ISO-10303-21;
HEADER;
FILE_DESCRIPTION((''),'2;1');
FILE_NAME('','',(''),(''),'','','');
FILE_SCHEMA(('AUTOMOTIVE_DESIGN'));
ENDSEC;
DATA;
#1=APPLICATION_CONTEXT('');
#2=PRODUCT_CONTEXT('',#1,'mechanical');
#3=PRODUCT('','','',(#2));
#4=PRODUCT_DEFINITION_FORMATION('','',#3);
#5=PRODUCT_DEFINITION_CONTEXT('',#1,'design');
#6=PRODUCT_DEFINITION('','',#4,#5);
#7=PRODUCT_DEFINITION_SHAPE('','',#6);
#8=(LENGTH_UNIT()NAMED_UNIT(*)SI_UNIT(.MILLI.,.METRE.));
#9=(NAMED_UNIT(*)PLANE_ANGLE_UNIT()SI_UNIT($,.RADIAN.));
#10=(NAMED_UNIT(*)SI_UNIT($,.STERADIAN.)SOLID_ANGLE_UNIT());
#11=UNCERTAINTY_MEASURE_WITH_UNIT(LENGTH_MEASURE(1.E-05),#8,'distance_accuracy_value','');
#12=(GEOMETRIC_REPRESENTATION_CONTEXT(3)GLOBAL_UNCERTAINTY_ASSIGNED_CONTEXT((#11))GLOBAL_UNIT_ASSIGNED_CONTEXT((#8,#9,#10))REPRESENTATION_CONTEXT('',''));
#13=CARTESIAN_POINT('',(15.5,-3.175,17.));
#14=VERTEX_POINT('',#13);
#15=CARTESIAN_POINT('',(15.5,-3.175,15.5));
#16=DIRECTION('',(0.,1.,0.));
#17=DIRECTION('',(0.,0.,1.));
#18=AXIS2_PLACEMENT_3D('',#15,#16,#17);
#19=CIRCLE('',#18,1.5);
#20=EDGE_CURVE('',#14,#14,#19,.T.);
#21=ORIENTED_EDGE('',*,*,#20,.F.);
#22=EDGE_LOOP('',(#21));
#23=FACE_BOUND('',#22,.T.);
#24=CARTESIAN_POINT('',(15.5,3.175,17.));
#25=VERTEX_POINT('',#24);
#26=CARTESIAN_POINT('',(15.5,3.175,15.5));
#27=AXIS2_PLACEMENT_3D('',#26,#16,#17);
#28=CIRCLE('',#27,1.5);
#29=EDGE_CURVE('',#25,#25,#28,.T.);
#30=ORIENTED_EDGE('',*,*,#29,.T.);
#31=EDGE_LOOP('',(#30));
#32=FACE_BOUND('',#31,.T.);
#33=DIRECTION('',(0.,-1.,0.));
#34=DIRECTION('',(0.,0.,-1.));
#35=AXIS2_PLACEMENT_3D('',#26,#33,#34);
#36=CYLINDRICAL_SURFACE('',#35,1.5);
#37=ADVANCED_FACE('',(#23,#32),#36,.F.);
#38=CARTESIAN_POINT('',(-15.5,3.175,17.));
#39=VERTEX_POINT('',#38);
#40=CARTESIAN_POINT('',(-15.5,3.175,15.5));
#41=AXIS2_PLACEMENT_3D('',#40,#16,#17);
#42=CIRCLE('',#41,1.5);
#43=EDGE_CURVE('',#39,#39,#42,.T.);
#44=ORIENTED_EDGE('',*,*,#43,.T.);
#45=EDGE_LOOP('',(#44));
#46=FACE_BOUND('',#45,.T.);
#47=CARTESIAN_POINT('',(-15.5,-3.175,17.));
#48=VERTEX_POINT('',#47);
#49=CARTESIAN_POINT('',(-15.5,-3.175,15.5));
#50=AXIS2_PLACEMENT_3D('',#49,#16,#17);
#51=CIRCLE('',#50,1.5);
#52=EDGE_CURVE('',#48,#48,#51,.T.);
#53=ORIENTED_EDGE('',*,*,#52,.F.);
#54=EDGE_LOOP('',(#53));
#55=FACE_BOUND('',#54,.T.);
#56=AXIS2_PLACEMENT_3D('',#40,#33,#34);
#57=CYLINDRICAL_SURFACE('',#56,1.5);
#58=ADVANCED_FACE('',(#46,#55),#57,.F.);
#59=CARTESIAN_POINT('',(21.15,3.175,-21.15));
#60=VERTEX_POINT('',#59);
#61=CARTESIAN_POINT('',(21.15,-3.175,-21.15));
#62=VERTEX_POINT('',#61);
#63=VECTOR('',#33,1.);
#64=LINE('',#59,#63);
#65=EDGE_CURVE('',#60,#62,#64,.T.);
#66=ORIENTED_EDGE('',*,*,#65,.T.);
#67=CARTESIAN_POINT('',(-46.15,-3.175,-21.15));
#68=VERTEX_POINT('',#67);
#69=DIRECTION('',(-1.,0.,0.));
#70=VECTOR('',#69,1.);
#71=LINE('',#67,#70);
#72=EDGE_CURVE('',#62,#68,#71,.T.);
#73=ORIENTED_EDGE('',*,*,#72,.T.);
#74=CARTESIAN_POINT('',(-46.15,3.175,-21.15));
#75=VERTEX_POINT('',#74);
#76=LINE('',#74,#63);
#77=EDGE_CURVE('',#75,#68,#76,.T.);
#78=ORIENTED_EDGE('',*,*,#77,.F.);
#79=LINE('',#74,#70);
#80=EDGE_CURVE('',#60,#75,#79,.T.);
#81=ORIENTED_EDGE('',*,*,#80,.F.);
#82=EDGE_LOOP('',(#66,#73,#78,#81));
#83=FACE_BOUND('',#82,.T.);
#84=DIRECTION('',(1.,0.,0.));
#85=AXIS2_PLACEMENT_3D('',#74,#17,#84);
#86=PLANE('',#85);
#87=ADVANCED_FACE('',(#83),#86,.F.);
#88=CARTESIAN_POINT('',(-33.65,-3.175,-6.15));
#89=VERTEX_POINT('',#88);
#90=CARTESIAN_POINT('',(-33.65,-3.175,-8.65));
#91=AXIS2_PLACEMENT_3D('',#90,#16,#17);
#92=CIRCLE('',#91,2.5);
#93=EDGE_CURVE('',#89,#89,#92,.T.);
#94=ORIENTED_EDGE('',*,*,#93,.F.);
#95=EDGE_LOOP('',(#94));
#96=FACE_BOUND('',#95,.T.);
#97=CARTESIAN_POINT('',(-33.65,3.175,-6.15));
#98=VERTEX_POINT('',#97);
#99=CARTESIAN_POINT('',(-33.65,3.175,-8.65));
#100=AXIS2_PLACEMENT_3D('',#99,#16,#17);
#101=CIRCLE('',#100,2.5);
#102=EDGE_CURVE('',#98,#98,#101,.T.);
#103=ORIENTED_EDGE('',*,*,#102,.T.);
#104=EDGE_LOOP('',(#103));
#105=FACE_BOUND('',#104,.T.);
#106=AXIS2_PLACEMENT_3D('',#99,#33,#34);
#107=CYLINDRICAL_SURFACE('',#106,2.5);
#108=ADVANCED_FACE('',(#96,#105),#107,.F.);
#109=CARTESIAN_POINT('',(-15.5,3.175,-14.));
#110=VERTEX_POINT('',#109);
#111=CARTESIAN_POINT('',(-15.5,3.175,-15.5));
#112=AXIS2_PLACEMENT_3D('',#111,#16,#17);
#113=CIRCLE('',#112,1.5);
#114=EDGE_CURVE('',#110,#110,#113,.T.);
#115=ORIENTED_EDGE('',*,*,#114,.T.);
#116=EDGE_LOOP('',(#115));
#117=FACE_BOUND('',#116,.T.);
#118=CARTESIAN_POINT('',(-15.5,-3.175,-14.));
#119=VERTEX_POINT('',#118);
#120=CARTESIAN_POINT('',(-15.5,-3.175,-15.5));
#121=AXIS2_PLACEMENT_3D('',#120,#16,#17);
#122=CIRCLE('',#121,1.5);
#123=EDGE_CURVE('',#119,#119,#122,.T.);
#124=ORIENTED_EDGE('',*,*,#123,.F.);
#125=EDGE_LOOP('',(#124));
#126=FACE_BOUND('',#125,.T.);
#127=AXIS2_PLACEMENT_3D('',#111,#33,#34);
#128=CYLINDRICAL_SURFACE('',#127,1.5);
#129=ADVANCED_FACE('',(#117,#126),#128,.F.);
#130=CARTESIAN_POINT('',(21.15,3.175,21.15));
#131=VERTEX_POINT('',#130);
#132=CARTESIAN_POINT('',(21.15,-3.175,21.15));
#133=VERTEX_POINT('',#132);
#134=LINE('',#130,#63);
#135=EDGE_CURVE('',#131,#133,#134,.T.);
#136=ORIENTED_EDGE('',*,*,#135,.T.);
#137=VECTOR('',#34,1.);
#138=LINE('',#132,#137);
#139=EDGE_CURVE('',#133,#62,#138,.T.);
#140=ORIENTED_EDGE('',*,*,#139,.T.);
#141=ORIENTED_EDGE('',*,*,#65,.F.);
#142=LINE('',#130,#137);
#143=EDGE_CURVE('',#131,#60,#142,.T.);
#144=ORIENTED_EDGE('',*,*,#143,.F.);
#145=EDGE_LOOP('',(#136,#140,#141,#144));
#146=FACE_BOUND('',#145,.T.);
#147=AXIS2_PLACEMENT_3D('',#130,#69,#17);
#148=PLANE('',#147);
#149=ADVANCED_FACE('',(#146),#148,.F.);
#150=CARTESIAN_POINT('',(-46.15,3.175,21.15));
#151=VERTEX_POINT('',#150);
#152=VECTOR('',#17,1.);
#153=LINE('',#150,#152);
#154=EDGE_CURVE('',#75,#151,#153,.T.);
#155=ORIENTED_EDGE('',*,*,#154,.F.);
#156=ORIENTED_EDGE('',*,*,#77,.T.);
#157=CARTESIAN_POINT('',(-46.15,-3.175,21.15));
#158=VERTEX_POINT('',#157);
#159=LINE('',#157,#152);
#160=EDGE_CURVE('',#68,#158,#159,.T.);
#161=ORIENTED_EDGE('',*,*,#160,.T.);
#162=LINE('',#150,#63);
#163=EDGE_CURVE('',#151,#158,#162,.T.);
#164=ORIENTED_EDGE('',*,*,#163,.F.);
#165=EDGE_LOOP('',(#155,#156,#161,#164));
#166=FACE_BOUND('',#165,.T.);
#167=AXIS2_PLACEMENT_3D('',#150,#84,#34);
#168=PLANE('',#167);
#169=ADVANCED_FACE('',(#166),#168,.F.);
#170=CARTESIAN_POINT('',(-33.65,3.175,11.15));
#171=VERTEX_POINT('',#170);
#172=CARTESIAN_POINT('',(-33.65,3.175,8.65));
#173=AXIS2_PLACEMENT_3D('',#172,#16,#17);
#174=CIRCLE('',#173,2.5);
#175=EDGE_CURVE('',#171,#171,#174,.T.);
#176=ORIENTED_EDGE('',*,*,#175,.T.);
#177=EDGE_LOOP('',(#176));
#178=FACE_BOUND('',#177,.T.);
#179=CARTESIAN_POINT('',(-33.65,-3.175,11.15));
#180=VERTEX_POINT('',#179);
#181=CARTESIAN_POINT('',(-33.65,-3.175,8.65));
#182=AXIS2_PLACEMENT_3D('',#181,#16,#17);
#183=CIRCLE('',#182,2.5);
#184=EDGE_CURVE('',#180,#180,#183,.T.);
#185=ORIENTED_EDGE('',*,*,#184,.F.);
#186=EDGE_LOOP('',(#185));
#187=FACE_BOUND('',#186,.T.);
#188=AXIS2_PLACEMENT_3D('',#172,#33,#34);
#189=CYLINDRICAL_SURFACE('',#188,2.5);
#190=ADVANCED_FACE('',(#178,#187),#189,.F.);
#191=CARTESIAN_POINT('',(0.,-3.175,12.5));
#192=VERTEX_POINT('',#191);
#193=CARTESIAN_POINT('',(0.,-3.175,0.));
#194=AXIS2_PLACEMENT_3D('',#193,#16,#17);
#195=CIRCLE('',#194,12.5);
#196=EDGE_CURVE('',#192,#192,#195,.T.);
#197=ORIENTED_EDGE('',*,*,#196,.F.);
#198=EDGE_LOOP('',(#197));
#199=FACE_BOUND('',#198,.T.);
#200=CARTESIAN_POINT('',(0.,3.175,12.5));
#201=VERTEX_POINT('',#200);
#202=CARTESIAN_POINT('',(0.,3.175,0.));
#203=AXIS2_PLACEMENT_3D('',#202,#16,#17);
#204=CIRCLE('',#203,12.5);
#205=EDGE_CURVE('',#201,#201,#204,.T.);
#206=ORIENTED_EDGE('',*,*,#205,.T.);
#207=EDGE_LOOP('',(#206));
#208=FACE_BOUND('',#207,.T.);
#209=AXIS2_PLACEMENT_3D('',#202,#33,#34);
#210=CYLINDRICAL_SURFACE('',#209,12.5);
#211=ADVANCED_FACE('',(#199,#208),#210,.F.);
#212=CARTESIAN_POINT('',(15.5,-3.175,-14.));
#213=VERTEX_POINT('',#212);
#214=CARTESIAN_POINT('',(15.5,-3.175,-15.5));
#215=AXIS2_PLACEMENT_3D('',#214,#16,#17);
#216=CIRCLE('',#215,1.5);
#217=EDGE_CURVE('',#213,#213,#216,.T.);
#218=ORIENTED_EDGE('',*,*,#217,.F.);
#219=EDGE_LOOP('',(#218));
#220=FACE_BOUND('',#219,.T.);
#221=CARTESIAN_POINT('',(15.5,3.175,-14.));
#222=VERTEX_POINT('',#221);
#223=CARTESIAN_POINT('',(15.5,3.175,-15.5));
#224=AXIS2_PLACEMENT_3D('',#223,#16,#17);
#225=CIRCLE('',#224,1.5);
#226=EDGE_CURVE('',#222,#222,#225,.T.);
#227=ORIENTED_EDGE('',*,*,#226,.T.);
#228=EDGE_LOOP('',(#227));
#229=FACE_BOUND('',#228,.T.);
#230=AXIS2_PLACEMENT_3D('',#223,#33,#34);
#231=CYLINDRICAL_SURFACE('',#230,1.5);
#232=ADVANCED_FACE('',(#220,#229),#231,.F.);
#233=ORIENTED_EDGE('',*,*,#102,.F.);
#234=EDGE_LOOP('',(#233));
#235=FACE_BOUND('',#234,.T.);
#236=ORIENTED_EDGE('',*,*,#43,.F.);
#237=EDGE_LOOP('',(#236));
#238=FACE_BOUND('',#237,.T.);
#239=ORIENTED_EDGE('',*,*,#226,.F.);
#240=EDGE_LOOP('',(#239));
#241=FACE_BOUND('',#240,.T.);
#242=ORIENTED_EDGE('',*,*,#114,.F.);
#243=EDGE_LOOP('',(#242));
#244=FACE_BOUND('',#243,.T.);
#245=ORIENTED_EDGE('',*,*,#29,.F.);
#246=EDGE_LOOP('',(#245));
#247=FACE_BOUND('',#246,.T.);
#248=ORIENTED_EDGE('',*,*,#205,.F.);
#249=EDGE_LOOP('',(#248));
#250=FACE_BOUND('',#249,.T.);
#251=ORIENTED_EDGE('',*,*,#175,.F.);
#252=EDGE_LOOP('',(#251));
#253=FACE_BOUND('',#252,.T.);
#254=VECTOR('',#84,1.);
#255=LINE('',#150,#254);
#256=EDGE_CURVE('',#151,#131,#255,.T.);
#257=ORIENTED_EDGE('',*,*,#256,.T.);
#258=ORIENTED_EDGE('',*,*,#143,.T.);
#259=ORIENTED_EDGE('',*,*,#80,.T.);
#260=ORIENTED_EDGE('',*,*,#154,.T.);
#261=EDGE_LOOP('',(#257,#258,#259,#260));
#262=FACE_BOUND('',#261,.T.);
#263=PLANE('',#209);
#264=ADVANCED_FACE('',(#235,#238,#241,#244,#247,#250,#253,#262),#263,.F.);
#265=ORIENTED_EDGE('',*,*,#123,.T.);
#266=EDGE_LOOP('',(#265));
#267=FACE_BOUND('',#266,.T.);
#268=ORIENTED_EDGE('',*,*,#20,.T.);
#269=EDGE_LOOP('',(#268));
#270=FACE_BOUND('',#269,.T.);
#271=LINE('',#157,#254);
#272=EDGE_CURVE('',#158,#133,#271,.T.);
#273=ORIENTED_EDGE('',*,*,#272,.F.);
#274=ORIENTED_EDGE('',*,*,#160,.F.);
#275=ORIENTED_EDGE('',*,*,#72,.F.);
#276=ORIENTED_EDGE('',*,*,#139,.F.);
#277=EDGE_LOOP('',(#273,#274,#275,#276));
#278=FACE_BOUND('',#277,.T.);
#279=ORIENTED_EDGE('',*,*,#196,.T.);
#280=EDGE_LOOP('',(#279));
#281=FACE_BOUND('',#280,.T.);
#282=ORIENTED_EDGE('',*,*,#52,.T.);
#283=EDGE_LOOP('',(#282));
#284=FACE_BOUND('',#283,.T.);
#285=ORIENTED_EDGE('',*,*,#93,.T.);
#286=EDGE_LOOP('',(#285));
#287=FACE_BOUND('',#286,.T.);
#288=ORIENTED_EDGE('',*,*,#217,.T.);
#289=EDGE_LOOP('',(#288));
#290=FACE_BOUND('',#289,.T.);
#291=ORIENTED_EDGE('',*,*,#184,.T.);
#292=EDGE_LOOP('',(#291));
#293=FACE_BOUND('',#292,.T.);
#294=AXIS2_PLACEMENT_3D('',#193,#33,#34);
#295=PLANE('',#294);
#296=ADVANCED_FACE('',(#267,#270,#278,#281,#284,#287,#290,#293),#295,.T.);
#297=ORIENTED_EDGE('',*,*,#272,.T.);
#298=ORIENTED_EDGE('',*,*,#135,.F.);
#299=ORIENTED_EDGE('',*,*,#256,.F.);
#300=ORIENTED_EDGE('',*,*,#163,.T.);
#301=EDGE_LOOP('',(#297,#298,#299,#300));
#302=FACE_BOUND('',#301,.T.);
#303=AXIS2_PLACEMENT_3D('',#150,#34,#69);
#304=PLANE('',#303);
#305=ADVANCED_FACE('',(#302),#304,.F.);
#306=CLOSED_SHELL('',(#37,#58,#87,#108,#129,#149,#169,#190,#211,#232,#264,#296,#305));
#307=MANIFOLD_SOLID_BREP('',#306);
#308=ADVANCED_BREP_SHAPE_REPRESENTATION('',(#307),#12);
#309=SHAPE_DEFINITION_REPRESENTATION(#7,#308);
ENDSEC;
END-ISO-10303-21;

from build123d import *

# Parameters (mm, degrees)
SKETCH1_W           = 67.3
SKETCH1_H           = 42.3
SKETCH1_R           = 1.5
SKETCH1_R_2         = 12.5
SKETCH1_R_3         = 2.5
BOSS_EXTRUDE1_DEPTH = 3.175


with BuildPart() as part:
    # Sketch1 → Boss-Extrude1 (new, symmetric)
    with BuildSketch(Plane(origin=(0, 0, 0), x_dir=(1, 0, 0), z_dir=(0, 1, 0))):
        with Locations((-12.5, 0)):
            Rectangle(SKETCH1_W, SKETCH1_H)
        with Locations(Location((15.5, -15.5, 0), (0, 0, 270))):
            Circle(SKETCH1_R, mode=Mode.SUBTRACT)
        with Locations(Location((15.5, 15.5, 0), (0, 0, 270))):
            Circle(SKETCH1_R, mode=Mode.SUBTRACT)
        with Locations(Location((-15.5, 15.5, 0), (0, 0, 270))):
            Circle(SKETCH1_R, mode=Mode.SUBTRACT)
        with Locations(Location((-15.5, -15.5, 0), (0, 0, 270))):
            Circle(SKETCH1_R, mode=Mode.SUBTRACT)
        with Locations(Location((0, 0, 0), (0, 0, 270))):
            Circle(SKETCH1_R_2, mode=Mode.SUBTRACT)
        with Locations(Location((-33.65, 8.65, 0), (0, 0, 270))):
            Circle(SKETCH1_R_3, mode=Mode.SUBTRACT)
        with Locations(Location((-33.65, -8.65, 0), (0, 0, 270))):
            Circle(SKETCH1_R_3, mode=Mode.SUBTRACT)
    extrude(amount=BOSS_EXTRUDE1_DEPTH, both=True)


solid = part.part
